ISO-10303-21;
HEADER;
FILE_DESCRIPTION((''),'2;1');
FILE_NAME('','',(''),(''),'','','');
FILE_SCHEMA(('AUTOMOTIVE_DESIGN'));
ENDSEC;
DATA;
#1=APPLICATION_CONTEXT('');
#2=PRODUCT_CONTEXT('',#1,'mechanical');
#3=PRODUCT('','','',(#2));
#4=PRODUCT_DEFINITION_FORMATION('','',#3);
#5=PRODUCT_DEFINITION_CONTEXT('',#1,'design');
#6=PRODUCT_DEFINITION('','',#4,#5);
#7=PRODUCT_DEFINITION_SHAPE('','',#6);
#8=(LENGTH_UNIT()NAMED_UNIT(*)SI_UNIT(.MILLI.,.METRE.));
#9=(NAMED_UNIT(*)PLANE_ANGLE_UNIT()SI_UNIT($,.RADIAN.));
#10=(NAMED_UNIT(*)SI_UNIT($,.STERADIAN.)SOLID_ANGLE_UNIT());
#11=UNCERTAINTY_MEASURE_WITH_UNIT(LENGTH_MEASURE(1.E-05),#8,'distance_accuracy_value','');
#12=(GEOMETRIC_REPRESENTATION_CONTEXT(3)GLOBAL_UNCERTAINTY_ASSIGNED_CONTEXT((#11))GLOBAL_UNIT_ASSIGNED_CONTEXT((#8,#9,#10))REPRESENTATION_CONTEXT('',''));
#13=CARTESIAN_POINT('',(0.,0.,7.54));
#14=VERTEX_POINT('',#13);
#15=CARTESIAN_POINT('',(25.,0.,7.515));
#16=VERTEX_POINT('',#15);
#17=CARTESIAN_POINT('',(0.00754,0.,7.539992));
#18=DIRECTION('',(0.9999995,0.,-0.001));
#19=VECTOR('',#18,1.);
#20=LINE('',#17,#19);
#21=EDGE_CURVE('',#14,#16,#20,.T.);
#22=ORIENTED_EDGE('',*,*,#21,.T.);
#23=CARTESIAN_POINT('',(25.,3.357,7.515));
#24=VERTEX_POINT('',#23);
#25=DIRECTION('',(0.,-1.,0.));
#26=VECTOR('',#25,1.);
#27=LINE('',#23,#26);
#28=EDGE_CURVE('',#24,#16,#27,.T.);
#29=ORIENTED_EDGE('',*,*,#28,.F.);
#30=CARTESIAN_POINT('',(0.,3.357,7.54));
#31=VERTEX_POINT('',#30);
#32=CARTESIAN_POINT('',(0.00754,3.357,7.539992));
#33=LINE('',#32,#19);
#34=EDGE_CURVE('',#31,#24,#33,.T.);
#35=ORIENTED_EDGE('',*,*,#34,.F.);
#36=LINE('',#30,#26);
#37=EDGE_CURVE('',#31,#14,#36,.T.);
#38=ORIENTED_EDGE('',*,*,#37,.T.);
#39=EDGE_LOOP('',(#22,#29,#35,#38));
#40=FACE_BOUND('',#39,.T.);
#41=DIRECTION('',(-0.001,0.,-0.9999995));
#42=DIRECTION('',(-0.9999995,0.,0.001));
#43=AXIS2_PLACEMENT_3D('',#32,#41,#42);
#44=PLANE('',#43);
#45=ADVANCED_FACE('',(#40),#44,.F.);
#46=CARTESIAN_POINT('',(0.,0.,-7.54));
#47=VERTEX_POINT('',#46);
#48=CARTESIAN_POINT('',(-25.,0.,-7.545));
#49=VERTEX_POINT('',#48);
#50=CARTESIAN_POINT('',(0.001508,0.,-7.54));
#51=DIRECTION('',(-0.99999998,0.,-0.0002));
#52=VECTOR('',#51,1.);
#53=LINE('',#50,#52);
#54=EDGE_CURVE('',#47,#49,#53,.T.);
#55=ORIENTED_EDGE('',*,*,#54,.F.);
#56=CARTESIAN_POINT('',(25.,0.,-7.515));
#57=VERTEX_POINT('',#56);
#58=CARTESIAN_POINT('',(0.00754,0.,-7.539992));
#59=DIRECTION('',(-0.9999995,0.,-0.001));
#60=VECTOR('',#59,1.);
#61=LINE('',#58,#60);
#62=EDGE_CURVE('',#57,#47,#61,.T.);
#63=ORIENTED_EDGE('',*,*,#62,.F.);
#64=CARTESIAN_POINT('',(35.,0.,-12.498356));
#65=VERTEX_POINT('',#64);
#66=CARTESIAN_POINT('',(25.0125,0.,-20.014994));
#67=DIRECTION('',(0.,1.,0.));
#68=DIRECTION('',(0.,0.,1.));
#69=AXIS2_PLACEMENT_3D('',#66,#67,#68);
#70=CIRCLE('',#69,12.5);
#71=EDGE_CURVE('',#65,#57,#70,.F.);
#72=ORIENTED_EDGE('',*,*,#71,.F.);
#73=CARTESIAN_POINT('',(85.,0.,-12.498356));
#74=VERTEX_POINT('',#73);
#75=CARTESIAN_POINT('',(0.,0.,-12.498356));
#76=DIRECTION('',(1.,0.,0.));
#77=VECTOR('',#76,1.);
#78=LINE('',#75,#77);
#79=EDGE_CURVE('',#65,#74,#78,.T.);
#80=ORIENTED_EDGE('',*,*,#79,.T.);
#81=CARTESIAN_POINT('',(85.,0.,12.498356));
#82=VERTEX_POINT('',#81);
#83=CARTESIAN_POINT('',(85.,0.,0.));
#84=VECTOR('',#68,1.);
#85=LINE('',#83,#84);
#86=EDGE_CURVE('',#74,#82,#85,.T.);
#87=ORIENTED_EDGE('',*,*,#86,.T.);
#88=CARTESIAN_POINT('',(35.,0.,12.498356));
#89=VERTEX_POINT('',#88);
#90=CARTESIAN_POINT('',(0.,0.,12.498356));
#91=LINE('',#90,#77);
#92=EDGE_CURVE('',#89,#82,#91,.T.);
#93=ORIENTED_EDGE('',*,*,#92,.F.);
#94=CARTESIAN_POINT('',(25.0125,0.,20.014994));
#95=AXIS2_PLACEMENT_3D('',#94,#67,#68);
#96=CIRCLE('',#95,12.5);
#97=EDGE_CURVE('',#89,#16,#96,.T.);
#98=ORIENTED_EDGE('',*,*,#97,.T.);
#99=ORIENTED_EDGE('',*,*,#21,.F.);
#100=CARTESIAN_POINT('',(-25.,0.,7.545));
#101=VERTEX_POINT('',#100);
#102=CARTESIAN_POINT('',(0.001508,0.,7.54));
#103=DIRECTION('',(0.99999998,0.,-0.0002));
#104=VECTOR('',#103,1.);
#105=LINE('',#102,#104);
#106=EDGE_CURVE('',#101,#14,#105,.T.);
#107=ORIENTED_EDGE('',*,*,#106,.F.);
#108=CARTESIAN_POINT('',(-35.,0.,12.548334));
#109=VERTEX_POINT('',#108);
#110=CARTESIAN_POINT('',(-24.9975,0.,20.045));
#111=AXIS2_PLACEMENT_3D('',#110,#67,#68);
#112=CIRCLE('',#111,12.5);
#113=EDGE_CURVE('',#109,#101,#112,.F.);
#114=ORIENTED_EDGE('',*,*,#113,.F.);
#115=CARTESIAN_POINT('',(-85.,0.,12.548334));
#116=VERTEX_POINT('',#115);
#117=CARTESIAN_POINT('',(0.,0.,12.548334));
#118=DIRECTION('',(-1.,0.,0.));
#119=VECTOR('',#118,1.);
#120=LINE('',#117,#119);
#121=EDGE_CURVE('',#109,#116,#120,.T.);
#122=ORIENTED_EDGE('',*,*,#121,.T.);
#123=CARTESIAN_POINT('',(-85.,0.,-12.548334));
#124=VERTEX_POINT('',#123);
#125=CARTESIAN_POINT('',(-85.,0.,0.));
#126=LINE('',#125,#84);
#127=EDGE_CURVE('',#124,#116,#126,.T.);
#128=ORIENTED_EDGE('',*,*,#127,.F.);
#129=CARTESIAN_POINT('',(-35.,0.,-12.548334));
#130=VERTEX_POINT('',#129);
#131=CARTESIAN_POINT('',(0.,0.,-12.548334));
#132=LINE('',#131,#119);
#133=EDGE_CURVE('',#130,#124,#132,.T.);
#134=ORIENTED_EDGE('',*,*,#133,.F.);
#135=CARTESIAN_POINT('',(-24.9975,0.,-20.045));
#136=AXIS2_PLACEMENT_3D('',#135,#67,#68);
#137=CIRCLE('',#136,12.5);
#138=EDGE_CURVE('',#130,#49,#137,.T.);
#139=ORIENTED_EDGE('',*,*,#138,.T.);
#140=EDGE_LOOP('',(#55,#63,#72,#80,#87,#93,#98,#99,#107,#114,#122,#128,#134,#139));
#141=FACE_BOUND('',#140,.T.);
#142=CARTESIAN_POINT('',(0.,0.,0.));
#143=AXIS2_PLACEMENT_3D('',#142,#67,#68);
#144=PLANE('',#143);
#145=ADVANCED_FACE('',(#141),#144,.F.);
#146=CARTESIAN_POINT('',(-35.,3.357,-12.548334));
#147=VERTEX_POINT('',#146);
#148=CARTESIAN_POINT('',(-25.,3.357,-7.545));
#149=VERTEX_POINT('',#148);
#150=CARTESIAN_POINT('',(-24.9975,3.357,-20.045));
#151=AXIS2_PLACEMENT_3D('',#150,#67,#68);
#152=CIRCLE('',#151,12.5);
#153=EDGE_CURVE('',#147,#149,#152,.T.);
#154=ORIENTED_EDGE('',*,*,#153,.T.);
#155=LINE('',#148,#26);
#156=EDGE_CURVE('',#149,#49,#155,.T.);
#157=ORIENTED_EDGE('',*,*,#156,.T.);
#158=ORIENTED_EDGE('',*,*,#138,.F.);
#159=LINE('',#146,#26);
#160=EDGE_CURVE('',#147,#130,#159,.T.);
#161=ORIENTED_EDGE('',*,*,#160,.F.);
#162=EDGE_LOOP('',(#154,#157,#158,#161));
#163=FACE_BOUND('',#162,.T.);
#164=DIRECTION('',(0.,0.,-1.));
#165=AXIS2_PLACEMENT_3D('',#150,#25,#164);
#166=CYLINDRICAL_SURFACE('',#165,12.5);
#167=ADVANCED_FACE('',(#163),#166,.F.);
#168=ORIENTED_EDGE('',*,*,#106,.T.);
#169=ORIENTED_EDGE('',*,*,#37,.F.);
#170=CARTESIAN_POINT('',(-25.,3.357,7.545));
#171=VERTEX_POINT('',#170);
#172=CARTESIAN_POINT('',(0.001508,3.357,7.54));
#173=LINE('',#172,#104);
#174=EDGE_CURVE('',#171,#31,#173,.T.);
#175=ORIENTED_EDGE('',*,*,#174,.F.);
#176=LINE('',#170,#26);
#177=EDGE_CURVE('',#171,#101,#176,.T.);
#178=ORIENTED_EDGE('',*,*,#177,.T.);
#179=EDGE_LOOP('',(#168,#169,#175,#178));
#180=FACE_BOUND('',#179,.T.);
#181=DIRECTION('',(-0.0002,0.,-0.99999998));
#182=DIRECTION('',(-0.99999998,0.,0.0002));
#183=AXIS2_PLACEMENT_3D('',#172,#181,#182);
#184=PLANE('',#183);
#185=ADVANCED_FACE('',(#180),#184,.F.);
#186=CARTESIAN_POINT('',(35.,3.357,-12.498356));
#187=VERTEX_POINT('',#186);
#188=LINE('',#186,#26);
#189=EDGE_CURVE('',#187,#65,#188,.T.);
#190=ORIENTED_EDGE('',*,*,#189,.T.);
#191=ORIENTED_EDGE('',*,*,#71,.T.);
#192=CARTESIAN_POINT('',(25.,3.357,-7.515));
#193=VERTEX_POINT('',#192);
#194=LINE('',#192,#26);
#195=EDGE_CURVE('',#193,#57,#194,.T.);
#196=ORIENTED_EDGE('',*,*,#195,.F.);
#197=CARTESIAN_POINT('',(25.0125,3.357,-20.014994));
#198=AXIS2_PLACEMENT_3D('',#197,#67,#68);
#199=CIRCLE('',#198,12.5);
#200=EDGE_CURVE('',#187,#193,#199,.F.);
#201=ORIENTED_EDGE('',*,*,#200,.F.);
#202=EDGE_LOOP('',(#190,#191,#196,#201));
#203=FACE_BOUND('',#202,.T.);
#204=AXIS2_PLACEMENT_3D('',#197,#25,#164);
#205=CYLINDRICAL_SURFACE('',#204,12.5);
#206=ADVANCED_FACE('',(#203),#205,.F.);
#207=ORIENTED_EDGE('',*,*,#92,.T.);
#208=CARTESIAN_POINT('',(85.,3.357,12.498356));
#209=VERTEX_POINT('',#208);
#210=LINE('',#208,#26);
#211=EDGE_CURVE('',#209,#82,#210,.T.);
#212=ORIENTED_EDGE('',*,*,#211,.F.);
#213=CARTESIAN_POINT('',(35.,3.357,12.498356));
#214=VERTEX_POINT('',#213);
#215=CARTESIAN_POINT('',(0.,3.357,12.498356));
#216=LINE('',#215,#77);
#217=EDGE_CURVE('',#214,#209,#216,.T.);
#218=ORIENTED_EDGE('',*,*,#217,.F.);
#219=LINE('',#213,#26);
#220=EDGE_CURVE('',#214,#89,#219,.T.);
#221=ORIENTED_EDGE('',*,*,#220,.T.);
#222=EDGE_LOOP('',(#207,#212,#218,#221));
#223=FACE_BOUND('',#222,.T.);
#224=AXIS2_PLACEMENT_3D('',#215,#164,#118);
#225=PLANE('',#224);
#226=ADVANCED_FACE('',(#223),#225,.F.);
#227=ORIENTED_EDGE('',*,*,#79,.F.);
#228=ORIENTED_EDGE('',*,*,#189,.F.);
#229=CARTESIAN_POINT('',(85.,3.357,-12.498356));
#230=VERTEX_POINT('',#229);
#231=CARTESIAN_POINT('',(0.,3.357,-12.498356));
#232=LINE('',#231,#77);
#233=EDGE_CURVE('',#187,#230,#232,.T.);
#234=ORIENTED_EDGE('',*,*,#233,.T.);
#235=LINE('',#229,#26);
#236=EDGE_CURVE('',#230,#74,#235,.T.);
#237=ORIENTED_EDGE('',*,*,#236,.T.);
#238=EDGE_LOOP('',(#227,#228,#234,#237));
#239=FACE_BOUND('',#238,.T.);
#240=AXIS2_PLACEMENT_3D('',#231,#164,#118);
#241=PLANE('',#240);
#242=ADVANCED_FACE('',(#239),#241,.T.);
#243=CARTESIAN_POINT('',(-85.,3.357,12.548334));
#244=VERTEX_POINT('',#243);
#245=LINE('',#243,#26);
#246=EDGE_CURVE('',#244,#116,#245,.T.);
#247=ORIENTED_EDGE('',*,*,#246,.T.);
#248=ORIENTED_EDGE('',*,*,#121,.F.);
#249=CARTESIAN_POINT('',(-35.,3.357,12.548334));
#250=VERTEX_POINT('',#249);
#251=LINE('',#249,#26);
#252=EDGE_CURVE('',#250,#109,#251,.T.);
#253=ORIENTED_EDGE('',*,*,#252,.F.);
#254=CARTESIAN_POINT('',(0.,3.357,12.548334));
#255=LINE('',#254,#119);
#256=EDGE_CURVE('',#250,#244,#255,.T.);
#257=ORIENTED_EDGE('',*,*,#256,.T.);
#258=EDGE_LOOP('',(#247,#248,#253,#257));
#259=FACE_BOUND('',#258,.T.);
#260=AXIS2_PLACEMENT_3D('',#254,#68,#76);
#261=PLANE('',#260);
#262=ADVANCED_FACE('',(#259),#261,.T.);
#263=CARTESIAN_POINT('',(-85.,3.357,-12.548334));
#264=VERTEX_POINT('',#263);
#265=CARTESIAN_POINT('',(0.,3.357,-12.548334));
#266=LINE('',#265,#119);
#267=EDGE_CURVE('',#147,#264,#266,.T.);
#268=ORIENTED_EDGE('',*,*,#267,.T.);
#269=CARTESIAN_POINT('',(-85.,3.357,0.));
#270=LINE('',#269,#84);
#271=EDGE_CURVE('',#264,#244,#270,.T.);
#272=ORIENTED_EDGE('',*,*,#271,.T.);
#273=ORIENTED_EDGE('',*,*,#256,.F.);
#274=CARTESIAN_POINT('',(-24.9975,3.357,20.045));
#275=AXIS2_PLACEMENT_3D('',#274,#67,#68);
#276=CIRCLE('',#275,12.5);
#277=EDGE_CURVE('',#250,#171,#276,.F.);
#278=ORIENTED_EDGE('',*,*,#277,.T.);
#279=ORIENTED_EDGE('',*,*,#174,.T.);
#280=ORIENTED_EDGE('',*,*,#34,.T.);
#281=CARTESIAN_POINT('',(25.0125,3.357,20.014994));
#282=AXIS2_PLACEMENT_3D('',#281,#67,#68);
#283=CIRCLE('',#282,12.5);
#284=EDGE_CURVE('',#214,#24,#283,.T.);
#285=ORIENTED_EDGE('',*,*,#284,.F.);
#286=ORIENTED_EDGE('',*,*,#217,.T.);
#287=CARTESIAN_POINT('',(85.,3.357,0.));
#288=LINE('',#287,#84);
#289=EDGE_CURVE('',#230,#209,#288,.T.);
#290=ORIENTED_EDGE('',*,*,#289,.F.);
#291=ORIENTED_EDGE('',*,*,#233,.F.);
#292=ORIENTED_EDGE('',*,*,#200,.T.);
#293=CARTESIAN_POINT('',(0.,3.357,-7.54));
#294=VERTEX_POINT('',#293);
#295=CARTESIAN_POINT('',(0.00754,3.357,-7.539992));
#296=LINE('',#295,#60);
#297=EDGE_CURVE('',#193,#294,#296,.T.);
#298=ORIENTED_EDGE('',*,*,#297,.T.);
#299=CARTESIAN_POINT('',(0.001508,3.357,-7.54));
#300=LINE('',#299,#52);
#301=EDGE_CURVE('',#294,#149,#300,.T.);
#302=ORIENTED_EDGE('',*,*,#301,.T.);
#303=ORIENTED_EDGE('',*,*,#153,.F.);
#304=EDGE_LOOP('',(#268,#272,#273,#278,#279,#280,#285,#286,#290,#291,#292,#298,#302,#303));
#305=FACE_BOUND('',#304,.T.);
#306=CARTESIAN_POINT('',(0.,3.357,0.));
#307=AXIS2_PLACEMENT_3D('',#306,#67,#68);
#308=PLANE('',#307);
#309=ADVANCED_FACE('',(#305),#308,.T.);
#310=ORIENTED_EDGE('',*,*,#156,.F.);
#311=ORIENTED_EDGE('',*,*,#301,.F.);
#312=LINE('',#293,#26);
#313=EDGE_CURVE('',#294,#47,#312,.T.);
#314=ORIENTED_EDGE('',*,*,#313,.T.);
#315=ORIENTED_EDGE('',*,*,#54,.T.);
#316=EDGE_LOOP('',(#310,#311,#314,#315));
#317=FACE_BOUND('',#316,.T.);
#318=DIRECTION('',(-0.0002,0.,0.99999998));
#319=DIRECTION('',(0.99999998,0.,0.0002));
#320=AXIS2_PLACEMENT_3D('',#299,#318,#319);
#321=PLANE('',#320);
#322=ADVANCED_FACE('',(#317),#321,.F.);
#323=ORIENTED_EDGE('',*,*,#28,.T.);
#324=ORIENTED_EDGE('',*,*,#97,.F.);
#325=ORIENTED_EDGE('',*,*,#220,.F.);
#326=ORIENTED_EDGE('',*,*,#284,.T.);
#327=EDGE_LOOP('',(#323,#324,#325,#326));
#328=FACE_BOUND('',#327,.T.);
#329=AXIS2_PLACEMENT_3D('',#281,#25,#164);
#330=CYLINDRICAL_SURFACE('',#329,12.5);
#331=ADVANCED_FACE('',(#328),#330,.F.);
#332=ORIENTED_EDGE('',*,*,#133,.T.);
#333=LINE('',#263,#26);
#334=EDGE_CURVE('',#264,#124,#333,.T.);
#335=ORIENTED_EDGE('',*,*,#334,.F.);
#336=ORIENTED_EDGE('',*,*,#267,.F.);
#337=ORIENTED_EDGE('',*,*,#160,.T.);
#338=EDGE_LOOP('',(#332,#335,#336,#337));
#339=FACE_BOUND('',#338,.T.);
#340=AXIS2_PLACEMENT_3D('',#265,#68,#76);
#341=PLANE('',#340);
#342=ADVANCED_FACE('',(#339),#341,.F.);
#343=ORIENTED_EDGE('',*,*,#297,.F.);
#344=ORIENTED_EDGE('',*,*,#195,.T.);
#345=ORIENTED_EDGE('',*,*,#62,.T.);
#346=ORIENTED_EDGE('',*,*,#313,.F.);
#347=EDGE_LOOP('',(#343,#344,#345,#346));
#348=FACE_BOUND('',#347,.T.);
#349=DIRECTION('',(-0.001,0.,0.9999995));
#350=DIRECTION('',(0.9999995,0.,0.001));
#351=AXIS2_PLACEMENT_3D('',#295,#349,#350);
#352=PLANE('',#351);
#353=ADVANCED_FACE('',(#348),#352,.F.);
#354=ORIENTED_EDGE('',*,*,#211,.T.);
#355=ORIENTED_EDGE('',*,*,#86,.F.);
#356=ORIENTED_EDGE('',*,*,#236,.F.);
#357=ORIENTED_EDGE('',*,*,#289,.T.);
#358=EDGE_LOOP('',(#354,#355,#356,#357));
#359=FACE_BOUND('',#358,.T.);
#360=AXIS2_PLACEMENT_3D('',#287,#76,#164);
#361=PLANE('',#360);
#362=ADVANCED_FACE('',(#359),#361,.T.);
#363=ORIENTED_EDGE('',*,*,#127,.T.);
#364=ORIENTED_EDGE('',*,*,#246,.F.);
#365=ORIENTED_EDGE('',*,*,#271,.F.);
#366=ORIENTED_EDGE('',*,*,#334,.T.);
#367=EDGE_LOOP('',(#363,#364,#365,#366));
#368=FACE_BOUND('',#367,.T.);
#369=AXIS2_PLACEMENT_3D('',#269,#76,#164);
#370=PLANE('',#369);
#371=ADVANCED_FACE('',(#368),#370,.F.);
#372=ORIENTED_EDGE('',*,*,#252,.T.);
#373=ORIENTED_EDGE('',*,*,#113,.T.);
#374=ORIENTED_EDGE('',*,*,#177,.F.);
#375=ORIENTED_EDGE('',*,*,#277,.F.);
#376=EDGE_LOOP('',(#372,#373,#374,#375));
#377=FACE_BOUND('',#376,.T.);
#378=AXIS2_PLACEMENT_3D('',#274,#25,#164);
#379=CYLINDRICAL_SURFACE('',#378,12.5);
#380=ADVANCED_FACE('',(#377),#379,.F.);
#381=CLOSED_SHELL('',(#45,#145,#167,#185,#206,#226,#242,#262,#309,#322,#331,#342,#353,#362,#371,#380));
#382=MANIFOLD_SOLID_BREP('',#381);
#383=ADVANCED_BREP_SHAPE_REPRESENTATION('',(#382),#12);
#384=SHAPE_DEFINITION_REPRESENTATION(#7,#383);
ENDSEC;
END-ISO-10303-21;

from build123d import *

# Parameters (mm, degrees)
BOSS_EXTRUDE2_DEPTH = 3.357


with BuildPart() as part:
    # Sketch1 → Boss-Extrude2 (new body)
    with BuildSketch(Plane(origin=(0, 0, 0), x_dir=(1, 0, 0), z_dir=(0, 1, 0))):
        with BuildLine():
            Line((35, 12.498355963), (85, 12.498355963))
            Line((85, 12.498355963), (85, -12.498355963))
            Line((85, -12.498355963), (35, -12.498355963))
            ThreePointArc((35, -12.498355963), (30.587768191, -8.827215395), (25, -7.515))
            Line((25, -7.515), (0, -7.54))
            Line((0, -7.54), (-25, -7.545))
            ThreePointArc((-25, -7.545), (-30.590651583, -8.866151179), (-35, -12.548334241))
            Line((-35, -12.548334241), (-85, -12.548334241))
            Line((-85, -12.548334241), (-85, 12.548334241))
            Line((-85, 12.548334241), (-35, 12.548334241))
            ThreePointArc((-35, 12.548334241), (-30.590651583, 8.866151179), (-25, 7.545))
            Line((-25, 7.545), (0, 7.54))
            Line((0, 7.54), (25, 7.515))
            ThreePointArc((25, 7.515), (30.587768191, 8.827215395), (35, 12.498355963))
        make_face()
    extrude(amount=BOSS_EXTRUDE2_DEPTH)


solid = part.part
